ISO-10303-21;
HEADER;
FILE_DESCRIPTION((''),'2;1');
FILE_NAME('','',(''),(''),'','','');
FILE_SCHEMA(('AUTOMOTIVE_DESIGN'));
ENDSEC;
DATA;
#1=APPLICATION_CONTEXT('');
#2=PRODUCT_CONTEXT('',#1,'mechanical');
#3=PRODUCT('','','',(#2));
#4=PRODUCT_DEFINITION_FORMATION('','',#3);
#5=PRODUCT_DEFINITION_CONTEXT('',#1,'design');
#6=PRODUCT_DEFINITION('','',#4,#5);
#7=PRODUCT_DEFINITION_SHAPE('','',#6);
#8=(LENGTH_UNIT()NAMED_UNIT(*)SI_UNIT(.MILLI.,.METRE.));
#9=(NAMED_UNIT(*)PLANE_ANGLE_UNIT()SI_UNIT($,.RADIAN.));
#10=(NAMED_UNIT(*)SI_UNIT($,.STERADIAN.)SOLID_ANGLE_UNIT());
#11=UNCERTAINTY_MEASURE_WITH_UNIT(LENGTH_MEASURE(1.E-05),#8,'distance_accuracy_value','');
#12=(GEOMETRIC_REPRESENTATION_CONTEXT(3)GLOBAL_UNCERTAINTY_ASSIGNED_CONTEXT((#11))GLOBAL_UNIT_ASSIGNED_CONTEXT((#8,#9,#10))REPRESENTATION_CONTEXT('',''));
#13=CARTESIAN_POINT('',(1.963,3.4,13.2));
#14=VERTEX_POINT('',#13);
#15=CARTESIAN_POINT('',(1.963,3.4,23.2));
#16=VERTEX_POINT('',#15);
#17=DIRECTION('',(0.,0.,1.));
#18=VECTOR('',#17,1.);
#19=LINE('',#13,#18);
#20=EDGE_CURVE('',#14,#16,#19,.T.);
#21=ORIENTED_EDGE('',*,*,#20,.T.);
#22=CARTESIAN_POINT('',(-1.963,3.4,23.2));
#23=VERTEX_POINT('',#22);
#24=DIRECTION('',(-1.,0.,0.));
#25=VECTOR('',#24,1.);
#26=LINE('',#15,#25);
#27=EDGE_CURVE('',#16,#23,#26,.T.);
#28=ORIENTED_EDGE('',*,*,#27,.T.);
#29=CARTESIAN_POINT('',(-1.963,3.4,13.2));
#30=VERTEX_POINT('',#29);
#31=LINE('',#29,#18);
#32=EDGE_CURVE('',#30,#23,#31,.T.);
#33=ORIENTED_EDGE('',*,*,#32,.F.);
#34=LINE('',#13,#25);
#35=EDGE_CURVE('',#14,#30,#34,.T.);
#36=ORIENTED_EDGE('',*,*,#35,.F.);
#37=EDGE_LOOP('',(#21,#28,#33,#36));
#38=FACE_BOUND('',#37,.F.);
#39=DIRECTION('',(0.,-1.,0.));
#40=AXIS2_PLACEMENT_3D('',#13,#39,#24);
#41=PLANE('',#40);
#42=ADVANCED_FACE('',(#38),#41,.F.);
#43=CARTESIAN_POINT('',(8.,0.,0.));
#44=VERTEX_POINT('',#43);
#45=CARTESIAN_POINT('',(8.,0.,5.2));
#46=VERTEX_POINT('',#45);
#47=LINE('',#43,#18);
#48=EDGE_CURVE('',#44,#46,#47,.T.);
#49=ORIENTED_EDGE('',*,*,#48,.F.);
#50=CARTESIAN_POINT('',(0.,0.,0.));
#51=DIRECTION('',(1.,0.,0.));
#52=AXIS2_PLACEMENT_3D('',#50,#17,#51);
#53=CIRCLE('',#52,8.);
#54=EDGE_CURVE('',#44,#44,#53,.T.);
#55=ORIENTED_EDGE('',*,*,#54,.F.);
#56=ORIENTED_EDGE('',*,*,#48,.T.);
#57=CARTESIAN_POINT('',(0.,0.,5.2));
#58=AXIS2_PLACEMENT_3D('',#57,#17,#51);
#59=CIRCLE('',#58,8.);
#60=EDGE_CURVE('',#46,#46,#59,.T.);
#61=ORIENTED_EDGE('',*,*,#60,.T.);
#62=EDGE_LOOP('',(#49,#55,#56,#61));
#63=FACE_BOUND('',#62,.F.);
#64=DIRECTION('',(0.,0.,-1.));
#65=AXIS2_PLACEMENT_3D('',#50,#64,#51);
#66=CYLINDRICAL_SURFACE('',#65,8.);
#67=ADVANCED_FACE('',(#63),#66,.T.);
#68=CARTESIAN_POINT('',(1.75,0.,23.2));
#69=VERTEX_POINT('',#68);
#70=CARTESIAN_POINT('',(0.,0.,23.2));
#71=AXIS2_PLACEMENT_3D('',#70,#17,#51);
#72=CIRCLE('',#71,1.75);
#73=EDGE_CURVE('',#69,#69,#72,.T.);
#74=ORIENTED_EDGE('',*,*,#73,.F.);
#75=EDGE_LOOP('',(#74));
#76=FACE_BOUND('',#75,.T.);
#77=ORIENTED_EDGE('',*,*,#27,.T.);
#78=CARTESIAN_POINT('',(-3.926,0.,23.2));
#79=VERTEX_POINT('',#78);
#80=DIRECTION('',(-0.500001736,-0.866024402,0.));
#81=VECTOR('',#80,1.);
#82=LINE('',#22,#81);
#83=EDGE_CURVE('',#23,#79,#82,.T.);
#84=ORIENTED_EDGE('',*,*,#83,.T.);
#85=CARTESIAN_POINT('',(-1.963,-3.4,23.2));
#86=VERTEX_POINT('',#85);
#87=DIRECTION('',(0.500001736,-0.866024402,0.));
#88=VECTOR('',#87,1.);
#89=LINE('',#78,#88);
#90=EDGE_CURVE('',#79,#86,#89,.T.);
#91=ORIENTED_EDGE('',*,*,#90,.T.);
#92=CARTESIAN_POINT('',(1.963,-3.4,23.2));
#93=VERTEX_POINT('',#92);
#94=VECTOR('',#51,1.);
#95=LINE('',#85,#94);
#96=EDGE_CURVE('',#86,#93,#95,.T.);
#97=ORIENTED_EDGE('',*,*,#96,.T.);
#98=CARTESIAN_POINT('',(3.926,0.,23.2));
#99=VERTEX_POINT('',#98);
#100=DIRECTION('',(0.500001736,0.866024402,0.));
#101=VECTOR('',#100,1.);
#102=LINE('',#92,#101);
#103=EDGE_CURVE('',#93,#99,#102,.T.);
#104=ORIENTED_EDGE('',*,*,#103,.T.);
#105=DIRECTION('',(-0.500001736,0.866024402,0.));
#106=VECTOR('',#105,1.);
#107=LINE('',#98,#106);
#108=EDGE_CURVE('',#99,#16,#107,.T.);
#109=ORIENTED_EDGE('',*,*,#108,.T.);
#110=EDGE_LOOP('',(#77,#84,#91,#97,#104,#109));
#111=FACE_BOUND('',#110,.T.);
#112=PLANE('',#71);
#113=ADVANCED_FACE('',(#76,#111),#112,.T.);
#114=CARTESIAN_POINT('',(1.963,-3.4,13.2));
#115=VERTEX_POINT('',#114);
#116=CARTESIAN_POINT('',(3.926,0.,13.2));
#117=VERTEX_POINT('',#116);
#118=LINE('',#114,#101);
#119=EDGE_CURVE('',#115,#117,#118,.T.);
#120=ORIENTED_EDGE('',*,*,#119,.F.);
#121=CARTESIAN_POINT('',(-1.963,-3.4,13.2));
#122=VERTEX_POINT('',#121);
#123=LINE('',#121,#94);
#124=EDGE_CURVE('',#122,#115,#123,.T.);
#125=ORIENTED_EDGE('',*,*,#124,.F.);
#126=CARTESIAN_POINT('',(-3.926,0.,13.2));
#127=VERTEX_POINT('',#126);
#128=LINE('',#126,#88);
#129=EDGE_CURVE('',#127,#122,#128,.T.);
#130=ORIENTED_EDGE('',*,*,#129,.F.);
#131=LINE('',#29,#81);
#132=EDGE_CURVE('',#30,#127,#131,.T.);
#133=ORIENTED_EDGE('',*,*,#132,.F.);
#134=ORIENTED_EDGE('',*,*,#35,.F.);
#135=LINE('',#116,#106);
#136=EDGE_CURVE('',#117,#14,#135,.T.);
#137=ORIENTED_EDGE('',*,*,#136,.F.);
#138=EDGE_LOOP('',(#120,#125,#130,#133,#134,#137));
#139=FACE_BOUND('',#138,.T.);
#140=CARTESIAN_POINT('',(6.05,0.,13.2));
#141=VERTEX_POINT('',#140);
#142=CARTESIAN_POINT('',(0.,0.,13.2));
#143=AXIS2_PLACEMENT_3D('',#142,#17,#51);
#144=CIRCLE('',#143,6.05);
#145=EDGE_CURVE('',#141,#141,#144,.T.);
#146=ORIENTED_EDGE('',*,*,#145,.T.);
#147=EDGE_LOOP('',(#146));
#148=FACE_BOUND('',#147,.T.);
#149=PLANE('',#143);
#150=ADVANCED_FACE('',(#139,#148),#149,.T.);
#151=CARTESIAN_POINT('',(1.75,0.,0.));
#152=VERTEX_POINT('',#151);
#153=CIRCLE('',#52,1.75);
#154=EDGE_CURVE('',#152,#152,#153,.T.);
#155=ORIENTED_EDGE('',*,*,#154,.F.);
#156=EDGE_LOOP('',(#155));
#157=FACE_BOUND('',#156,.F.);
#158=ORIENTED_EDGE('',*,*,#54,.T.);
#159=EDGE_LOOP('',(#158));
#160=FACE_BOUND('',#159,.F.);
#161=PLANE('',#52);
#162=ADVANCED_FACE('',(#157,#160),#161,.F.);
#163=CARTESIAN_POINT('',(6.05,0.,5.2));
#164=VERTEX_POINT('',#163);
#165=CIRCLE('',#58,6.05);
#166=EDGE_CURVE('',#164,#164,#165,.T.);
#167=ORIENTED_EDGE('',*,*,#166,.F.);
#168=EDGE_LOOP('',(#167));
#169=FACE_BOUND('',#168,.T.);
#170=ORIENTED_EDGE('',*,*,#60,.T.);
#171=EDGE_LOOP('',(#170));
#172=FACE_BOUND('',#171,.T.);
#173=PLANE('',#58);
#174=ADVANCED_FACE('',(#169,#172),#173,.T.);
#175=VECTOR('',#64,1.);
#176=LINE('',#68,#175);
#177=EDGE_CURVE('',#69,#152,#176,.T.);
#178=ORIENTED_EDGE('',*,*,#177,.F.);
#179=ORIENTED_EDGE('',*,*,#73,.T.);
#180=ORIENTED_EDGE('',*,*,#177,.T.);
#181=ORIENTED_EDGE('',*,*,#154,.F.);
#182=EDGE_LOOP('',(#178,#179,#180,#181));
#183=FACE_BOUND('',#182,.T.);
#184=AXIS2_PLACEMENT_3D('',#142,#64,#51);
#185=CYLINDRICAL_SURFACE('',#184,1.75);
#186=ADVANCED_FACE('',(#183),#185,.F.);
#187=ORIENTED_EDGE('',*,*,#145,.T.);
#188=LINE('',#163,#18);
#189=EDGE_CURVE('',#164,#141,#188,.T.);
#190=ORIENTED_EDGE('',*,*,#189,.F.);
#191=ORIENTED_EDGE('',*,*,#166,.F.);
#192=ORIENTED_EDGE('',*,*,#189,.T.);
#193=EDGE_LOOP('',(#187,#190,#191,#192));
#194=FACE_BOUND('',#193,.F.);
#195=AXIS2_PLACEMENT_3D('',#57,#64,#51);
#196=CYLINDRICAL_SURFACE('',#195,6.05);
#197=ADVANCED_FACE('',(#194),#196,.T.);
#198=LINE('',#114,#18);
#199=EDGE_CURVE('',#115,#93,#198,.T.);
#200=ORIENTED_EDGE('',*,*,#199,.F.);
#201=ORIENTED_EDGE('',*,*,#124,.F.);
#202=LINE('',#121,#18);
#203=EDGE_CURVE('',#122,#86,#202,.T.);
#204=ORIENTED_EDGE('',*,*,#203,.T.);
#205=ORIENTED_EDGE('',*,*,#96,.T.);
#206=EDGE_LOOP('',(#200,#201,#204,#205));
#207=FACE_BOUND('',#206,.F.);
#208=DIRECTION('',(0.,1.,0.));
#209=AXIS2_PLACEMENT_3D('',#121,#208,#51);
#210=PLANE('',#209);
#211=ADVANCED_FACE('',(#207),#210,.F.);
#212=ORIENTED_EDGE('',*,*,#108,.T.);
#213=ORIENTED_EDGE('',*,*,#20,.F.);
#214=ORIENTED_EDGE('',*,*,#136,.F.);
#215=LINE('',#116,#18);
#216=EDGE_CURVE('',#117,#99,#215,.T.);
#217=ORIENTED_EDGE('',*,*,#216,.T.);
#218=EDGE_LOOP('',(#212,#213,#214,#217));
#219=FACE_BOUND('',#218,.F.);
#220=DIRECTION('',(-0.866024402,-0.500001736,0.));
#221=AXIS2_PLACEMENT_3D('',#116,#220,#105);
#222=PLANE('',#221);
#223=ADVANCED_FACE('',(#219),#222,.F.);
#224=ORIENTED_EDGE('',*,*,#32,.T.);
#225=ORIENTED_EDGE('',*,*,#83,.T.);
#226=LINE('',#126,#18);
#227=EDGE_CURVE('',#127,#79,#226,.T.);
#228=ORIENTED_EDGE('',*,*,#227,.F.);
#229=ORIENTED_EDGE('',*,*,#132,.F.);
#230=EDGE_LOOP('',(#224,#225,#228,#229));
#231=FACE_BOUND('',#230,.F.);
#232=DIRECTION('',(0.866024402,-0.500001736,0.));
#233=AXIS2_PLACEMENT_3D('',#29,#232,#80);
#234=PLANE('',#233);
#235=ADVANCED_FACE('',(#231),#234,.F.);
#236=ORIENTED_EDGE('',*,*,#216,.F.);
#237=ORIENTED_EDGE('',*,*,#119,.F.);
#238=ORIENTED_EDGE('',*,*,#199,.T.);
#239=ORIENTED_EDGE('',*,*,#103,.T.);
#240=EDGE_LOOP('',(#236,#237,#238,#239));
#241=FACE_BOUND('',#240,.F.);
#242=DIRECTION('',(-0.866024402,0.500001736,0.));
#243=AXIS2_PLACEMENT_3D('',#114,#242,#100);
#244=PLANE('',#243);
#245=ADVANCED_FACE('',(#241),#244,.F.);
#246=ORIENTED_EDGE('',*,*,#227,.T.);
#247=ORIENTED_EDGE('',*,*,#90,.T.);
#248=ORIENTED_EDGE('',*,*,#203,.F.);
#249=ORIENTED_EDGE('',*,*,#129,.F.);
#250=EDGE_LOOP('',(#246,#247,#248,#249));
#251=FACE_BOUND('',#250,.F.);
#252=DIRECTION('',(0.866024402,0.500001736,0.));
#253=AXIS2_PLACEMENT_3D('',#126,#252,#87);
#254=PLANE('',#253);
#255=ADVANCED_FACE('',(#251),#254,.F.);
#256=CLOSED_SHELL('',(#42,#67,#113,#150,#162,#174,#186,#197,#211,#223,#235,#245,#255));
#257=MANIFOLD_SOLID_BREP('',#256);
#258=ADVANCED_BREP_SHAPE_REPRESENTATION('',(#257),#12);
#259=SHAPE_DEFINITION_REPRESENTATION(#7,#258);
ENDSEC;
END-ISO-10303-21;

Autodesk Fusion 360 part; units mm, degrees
sketch "Sketch2" plane through (0, 0, 0) normal (0, 0, 1) x (1, 0, 0)
  circle A0 centre (0, 0) radius 9
  circle A1 centre (0, 0) radius 8
  circle A2 centre (0, 0) radius 1.75
  dimension "d10" = 16
  dimension "d26" = 3.5
extrude "Extrude3" add sketch "Sketch2" along normal blind 5.2 contours A1
sketch "Sketch3" plane through (0, 0, 5.2) normal (0, 0, 1) x (1, 0, 0)
  circle A0 centre (0, 0) radius 6.05
  circle A1 centre (0, 0) radius 8
  circle A2 centre (0, 0) radius 1.75
  dimension "d13" = 12.1
extrude "Extrude4" add sketch "Sketch3" along normal blind 8 contours A0
sketch "Sketch4" plane through (0, 0, 13.2) normal (0, 0, 1) x (1, 0, 0)
  circle A0 centre (0, 0) radius 6.05
  line L0 (-1.963, 3.4) -> (-3.926, 0)
  line L1 (-3.926, 0) -> (-1.963, -3.4)
  line L2 (-1.963, -3.4) -> (1.963, -3.4)
  line L3 (1.963, -3.4) -> (3.926, 0)
  line L4 (3.926, 0) -> (1.963, 3.4)
  line L5 (1.963, 3.4) -> (-1.963, 3.4)
  circle A1 centre (0, 0) radius 1.75
  dimension "d24" = 6.8
extrude "Extrude5" add sketch "Sketch4" along normal blind 10 contours L0 L1 L2 L3 L4 L5
